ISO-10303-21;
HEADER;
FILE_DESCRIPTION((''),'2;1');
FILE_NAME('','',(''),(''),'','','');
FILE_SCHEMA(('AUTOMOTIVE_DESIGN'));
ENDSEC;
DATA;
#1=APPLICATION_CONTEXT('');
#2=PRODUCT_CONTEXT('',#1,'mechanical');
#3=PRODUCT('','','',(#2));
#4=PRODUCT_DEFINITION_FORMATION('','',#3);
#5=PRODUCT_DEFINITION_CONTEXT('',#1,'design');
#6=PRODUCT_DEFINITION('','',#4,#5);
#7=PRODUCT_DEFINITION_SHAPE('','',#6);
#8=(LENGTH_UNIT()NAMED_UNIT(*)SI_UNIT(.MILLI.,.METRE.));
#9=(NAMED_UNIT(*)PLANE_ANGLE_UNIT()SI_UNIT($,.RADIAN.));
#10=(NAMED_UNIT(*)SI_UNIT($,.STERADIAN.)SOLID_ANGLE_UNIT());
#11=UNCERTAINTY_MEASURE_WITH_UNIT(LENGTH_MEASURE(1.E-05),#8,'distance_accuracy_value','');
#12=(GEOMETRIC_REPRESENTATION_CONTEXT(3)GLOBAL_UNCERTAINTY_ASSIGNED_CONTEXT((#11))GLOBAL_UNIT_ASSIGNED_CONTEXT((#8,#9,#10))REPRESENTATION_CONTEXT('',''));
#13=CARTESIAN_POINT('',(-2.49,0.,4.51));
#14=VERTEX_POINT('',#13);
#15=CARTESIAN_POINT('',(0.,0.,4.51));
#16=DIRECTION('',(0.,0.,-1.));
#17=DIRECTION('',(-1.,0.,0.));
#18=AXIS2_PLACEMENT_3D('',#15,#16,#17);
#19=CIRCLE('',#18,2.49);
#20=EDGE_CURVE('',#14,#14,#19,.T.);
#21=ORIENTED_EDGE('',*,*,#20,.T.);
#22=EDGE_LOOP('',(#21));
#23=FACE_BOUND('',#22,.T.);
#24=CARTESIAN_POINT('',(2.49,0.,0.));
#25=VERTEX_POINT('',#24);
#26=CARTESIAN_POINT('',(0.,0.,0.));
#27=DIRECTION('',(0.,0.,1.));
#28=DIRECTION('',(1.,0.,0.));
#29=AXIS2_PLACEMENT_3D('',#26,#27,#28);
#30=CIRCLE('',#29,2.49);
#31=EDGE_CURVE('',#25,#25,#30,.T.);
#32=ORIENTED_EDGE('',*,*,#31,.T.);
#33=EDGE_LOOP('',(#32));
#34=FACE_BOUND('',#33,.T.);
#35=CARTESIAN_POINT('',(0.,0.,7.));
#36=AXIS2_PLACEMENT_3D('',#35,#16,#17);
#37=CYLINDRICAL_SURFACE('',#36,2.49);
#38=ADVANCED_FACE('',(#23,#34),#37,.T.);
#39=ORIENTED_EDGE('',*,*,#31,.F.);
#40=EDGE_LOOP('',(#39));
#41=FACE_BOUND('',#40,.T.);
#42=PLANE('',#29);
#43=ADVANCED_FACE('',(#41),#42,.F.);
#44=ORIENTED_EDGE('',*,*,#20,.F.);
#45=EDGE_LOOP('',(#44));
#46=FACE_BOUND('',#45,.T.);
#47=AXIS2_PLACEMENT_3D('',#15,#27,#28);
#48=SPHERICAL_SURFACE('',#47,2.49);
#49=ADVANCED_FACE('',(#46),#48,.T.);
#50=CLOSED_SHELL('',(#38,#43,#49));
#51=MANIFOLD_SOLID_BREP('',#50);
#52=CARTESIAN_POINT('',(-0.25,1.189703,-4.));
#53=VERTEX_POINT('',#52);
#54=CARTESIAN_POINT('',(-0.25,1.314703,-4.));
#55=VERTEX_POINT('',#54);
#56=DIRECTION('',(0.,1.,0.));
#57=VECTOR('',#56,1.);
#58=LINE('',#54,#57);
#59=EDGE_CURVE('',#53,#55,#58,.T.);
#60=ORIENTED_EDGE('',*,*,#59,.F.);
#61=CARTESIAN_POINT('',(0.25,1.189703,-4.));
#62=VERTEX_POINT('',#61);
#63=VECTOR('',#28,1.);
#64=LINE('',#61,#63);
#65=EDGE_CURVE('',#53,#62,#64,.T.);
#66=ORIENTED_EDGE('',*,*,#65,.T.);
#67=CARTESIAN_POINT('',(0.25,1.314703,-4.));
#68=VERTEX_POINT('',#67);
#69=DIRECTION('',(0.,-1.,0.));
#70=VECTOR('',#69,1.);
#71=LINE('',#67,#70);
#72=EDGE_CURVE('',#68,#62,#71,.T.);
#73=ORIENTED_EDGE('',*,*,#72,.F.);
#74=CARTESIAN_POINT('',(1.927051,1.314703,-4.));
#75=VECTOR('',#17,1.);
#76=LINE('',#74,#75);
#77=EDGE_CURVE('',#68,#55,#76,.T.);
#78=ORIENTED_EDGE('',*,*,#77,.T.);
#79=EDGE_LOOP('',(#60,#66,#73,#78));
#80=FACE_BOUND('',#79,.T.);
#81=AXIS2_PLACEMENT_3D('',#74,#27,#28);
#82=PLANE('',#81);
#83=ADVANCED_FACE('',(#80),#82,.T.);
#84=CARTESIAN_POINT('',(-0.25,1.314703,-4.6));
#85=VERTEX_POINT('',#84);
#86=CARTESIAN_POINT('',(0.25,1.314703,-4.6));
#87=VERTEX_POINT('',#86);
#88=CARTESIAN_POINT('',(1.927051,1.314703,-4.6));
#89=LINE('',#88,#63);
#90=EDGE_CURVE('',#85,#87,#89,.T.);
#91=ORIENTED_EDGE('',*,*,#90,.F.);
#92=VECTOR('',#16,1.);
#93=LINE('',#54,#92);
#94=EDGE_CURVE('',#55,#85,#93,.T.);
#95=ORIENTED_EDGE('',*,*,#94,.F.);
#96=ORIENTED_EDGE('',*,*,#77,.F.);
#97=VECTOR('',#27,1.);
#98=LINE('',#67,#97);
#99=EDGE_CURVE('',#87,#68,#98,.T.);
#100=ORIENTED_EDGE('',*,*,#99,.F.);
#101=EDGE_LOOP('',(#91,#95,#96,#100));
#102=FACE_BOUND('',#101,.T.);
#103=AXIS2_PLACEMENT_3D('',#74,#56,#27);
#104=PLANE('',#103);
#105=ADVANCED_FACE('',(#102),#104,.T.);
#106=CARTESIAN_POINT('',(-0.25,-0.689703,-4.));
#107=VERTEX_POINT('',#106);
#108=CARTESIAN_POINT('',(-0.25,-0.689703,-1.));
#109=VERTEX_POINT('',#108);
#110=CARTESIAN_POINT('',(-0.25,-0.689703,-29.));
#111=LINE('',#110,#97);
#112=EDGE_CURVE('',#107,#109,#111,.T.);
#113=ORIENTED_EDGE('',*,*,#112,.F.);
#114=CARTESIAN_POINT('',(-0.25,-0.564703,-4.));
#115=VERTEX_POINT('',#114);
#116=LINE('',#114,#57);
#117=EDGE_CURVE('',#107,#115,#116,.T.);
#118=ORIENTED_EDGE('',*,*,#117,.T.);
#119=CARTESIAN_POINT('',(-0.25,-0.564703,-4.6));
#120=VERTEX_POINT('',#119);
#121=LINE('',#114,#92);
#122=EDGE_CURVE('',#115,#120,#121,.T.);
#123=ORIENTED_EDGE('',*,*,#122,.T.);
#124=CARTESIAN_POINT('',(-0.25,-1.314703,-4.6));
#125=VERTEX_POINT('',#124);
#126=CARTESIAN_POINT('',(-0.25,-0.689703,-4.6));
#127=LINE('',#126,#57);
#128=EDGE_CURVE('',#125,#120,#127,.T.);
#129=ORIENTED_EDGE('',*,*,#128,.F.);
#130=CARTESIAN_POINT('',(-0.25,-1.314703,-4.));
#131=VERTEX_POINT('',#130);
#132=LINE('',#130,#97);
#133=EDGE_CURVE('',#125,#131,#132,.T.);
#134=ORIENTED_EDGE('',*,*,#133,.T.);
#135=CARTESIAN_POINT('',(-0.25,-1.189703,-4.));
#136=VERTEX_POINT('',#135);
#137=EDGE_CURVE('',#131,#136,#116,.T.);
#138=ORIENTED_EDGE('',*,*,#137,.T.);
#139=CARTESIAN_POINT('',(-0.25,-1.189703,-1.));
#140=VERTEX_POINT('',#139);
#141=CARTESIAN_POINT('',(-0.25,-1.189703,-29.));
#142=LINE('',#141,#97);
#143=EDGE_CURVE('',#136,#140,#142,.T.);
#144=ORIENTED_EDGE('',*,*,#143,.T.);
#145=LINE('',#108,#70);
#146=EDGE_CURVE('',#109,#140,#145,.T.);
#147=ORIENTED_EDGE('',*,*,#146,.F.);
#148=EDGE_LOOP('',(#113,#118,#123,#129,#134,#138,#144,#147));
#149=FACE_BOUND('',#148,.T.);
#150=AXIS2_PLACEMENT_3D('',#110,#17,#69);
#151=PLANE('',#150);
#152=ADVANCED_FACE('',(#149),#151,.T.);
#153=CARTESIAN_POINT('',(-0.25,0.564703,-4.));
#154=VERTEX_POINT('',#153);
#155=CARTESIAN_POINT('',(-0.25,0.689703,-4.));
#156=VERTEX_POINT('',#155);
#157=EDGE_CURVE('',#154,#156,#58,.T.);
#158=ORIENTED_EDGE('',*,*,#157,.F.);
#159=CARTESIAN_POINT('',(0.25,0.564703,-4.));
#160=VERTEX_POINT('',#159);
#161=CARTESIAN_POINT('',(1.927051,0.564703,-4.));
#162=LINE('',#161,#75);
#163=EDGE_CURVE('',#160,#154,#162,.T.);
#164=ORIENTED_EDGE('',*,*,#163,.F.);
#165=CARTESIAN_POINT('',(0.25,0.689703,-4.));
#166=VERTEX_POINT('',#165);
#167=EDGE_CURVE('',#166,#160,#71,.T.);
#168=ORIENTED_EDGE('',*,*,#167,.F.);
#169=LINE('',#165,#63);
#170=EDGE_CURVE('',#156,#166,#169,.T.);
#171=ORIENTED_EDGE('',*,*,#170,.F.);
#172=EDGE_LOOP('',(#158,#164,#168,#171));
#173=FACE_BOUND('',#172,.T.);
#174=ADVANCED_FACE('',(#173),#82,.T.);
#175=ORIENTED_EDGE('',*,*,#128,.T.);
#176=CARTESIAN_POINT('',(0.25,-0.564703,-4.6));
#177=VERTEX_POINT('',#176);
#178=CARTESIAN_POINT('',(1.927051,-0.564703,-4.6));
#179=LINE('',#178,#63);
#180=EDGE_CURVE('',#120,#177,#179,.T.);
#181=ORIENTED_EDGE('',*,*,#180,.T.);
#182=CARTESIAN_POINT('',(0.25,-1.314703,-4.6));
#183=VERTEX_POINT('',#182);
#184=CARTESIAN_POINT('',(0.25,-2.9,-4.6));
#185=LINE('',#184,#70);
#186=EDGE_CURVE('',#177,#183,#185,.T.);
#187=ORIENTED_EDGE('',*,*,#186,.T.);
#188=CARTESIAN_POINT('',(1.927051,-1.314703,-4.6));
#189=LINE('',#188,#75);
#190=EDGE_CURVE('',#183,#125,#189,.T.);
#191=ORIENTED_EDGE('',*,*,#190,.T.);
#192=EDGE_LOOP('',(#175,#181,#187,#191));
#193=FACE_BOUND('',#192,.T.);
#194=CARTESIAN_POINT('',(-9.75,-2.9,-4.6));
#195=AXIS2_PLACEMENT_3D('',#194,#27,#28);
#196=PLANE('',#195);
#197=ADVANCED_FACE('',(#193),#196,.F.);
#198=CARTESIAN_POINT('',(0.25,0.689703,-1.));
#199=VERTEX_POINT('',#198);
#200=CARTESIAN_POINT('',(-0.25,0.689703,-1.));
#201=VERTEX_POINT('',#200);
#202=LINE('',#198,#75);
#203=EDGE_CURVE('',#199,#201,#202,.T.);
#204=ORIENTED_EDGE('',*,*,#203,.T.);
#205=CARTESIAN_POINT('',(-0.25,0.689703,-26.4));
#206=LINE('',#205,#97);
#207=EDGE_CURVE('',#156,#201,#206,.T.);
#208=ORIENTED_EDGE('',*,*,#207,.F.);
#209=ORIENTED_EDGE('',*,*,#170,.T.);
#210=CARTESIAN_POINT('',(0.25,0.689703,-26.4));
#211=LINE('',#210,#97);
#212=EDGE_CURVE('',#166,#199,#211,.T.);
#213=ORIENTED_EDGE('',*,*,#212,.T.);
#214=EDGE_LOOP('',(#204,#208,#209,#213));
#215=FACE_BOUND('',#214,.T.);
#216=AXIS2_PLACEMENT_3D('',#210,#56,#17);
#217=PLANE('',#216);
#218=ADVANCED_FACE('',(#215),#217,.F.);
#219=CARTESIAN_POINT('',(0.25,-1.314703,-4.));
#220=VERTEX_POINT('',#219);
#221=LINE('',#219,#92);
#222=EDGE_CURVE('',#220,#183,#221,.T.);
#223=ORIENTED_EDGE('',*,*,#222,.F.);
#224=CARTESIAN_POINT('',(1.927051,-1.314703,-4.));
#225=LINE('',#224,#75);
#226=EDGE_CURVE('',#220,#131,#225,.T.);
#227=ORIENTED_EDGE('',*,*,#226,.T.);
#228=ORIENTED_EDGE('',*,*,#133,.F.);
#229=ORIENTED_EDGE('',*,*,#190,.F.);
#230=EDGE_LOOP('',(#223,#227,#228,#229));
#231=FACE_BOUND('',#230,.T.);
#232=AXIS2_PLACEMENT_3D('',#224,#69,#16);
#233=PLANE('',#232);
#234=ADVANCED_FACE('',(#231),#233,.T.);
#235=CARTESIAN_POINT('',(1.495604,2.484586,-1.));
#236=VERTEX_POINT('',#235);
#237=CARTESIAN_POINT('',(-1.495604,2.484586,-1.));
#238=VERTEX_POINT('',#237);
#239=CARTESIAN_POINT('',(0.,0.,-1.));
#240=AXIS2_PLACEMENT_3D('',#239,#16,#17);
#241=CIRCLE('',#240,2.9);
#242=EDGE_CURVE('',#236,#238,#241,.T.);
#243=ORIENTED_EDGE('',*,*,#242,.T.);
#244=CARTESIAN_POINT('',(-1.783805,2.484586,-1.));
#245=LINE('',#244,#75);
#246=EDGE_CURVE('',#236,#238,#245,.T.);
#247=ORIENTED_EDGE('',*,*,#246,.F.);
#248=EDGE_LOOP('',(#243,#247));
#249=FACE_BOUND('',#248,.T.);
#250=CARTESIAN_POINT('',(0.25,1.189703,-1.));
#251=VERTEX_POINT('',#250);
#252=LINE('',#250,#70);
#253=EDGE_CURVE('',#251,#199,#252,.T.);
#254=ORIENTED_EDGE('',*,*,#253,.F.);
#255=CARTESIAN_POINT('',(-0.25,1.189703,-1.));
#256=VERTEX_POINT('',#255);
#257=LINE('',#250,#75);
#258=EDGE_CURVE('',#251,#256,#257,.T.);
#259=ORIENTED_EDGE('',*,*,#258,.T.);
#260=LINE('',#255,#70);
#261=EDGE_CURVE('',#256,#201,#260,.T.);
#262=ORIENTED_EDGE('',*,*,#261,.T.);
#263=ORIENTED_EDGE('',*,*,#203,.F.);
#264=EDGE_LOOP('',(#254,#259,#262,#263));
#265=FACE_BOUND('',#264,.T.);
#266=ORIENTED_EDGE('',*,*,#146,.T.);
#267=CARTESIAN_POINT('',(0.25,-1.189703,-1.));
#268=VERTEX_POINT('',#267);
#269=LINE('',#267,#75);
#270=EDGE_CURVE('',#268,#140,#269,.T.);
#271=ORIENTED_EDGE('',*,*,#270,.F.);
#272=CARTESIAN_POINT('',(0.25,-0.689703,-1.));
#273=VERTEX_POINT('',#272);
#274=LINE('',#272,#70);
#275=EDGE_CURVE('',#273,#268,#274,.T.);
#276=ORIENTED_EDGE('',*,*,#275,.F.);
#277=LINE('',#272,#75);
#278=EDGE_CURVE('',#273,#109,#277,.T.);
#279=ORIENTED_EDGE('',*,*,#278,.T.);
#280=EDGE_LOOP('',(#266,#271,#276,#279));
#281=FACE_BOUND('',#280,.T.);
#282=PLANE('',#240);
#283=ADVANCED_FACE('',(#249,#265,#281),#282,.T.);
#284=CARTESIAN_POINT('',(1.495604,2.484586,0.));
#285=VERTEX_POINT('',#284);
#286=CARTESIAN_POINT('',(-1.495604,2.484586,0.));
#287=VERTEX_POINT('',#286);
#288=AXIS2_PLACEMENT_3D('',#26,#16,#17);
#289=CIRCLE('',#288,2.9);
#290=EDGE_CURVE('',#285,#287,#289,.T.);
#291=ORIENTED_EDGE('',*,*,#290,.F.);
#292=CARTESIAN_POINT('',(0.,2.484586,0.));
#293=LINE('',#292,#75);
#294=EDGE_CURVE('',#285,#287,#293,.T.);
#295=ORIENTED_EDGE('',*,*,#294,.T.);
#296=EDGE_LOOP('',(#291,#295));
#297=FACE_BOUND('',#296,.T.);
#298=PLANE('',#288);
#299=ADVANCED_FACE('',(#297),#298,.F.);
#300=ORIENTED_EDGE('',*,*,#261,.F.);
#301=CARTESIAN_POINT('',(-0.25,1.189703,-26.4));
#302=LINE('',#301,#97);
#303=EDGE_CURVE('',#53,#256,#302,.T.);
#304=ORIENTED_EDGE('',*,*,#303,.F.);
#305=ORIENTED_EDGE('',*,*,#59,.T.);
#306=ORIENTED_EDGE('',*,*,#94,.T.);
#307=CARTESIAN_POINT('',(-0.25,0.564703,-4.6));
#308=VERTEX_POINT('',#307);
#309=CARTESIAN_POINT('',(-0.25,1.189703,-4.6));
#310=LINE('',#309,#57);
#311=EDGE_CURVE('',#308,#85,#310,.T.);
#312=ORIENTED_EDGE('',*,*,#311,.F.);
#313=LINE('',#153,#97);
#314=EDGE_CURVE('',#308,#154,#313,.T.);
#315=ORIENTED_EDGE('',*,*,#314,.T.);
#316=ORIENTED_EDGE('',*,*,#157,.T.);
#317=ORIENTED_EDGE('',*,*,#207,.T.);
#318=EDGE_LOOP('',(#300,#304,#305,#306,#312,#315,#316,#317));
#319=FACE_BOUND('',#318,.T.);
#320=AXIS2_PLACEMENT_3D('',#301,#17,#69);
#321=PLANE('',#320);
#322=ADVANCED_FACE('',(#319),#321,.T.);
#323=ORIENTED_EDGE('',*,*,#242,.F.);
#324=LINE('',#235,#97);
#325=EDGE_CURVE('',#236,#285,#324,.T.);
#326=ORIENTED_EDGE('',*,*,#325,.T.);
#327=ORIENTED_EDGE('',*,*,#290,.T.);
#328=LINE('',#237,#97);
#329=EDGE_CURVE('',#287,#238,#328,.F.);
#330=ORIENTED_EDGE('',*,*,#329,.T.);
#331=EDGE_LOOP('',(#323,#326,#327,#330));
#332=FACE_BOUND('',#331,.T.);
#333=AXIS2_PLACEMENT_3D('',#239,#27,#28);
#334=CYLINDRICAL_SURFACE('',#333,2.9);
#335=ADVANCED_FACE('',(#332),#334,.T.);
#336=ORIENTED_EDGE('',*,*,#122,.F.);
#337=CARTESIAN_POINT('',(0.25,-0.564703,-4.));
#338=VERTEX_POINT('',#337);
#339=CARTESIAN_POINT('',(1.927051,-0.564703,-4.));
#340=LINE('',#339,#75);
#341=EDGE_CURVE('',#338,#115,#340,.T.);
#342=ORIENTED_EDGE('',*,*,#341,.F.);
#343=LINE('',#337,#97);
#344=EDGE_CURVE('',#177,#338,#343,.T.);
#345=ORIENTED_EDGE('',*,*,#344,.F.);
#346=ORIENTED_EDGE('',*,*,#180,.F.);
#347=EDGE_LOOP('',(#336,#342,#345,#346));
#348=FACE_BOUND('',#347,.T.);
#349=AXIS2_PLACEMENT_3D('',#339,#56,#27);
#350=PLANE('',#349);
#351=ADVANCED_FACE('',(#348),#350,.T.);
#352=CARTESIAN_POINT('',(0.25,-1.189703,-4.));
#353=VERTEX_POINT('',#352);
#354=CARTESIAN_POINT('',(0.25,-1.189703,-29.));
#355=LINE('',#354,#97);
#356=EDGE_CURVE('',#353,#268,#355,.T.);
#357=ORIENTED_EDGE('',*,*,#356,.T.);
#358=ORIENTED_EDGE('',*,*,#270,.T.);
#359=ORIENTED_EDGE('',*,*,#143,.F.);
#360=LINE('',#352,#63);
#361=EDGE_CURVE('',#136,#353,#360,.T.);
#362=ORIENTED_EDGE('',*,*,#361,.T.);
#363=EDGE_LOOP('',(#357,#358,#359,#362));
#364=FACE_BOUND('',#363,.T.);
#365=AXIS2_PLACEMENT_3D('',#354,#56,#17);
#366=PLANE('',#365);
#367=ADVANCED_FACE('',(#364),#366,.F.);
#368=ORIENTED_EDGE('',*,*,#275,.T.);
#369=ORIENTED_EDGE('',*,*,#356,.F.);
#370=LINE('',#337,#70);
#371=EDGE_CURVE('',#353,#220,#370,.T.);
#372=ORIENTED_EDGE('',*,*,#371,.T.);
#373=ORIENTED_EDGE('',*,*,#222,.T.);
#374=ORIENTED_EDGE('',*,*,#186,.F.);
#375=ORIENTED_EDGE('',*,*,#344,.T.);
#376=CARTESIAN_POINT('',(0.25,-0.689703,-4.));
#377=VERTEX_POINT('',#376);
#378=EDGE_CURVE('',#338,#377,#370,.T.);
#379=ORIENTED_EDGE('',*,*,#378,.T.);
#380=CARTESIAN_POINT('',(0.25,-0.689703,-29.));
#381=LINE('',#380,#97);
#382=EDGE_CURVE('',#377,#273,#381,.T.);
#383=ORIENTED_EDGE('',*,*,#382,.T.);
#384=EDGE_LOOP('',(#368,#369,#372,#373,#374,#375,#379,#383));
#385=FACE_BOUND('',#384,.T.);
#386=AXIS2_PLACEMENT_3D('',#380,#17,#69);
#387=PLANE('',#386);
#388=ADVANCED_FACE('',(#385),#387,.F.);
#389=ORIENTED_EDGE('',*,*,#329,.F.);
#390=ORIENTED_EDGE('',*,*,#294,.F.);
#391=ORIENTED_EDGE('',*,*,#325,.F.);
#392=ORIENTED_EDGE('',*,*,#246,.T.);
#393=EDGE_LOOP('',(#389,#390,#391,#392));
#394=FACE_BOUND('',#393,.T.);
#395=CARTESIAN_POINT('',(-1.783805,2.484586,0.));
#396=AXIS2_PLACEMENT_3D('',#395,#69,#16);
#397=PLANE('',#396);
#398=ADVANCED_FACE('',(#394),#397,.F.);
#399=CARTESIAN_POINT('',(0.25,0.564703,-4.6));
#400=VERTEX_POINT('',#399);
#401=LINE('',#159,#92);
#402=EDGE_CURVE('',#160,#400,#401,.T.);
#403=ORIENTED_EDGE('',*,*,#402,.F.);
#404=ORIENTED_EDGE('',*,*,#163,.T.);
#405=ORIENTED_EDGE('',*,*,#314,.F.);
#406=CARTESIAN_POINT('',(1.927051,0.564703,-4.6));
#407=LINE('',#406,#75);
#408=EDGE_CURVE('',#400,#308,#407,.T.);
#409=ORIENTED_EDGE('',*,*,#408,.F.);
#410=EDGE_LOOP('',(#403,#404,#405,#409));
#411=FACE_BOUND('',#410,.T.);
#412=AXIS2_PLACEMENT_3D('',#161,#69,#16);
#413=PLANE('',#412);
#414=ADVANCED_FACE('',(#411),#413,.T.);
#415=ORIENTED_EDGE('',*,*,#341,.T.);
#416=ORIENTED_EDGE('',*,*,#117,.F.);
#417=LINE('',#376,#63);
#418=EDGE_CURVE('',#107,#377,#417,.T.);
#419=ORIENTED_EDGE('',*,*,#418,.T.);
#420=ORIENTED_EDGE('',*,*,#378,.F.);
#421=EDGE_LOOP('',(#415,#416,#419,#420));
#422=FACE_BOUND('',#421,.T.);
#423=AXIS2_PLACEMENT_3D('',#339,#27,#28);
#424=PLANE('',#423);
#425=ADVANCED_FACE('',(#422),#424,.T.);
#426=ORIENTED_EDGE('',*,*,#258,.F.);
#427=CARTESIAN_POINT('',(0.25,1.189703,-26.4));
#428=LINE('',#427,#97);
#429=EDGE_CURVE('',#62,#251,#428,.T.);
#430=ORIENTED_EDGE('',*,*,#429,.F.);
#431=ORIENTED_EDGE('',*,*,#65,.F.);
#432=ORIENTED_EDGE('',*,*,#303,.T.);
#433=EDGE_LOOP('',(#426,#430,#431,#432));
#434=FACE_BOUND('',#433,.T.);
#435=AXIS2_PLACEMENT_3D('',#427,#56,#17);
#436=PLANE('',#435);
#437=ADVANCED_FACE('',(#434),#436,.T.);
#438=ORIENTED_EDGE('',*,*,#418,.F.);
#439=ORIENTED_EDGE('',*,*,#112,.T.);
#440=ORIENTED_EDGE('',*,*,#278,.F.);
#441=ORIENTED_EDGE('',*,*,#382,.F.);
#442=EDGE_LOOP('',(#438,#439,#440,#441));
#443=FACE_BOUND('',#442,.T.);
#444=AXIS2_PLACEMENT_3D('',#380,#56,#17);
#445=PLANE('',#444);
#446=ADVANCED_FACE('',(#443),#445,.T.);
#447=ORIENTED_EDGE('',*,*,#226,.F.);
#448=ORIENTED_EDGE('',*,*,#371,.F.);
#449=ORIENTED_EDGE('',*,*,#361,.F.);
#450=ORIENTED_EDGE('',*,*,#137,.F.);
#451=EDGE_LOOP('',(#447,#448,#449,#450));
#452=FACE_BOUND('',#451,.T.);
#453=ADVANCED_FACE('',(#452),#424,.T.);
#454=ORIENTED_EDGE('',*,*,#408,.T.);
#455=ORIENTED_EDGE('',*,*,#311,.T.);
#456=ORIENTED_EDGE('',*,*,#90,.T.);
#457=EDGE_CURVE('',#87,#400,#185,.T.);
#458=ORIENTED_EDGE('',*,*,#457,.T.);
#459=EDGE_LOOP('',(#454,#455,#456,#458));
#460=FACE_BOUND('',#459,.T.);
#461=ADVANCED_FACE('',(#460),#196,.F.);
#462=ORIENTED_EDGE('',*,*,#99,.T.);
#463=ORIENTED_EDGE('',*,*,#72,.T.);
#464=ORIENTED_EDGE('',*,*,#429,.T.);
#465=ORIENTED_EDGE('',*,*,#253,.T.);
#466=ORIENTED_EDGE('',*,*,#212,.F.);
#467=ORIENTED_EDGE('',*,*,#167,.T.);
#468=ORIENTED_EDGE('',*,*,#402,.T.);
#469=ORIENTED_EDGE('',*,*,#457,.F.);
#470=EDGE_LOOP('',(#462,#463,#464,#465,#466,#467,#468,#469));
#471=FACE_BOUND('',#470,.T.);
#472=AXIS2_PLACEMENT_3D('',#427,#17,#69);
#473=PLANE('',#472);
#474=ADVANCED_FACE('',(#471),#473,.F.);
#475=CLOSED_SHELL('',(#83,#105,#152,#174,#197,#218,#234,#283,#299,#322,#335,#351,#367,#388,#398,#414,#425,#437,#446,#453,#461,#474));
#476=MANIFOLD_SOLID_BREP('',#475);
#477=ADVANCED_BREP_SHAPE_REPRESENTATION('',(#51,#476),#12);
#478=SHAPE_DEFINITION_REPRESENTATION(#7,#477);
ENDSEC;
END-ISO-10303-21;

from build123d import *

# Parameters (mm, degrees)
SKETCH1_R           = 2.49
EXTRUDE1_DEPTH      = 7
FILLET2_R           = 2.49
SKETCH2_R           = 2.9
EXTRUDE2_DEPTH      = 1
SKETCH3_W           = 3.764524328
SKETCH3_H           = 0.567574437
CUT_EXTRUDE3_DEPTH  = 1
SKETCH5_W           = 0.5
SKETCH5_H           = 0.5
EXTRUS_O1_DEPTH     = 28
SKETCH5_3_W         = 0.5
SKETCH5_3_H         = 0.5
EXTRUS_O2_DEPTH     = 25.4
ESBO_O1_W           = 1.5
ESBO_O1_H           = 0.75
EXTRUS_O3_DEPTH     = 0.5
SKETCH_1_W          = 24.4
SKETCH_1_H          = 5.384586057
CUT_EXTRUDE_4_DEPTH = 10


with BuildPart() as part:
    # Sketch1 → Extrude1 (new body)
    with BuildSketch(Plane.XY):
        Circle(SKETCH1_R)
    extrude(amount=EXTRUDE1_DEPTH)

    # Fillet2
    fillet2_edges = [part.edges().sort_by_distance(p)[0] for p in [
        (-2.49, 0, 7),
    ]]
    fillet(fillet2_edges, radius=FILLET2_R)


with BuildPart() as body_2:
    # Sketch2 → Extrude2 (new body)
    with BuildSketch(Plane(origin=(0, 0, 0), x_dir=(-1, 0, 0), z_dir=(0, 0, -1))):
        Circle(SKETCH2_R)
    extrude(amount=EXTRUDE2_DEPTH)

    # Sketch3 → Cut-Extrude3 (cut)
    with BuildSketch(Plane(origin=(0, 0, -1), x_dir=(-1, 0, 0), z_dir=(0, 0, -1))):
        with Locations((-0.09845679, 2.768373276)):
            Rectangle(SKETCH3_W, SKETCH3_H)
    extrude(amount=-CUT_EXTRUDE3_DEPTH, mode=Mode.SUBTRACT)

    # Sketch5 → Extrusão1 (add)
    with BuildSketch(Plane(origin=(0, 0, -1), x_dir=(-1, 0, 0), z_dir=(0, 0, -1))):
        with Locations((0, -0.9397033)):
            Rectangle(SKETCH5_W, SKETCH5_H)
    extrude(amount=EXTRUS_O1_DEPTH)

    # Sketch5<3> → Extrusão2 (add)
    with BuildSketch(Plane(origin=(0, 0, -1), x_dir=(-1, 0, 0), z_dir=(0, 0, -1))):
        with Locations((0, 0.9397033)):
            Rectangle(SKETCH5_3_W, SKETCH5_3_H)
    extrude(amount=EXTRUS_O2_DEPTH)

    # Esboço1 → Extrusão3 (add)
    with BuildSketch(Plane.ZY.offset(0.25)):
        with Locations((-4.75, 0.9397033)):
            Rectangle(ESBO_O1_W, ESBO_O1_H)
        with Locations((-4.75, -0.9397033)):
            Rectangle(ESBO_O1_W, ESBO_O1_H)
    extrude(amount=-EXTRUS_O3_DEPTH)

    # ｽｹｯﾁ1 → ｶｯﾄ - 押し出し4 (cut)
    with BuildSketch(Plane(origin=(0.25, 0, 0), x_dir=(0, 0, -1), z_dir=(1, 0, 0))):
        with Locations((16.8, -0.207706972)):
            Rectangle(SKETCH_1_W, SKETCH_1_H)
    extrude(amount=-CUT_EXTRUDE_4_DEPTH, mode=Mode.SUBTRACT)


solid = Compound([part.part, body_2.part])
